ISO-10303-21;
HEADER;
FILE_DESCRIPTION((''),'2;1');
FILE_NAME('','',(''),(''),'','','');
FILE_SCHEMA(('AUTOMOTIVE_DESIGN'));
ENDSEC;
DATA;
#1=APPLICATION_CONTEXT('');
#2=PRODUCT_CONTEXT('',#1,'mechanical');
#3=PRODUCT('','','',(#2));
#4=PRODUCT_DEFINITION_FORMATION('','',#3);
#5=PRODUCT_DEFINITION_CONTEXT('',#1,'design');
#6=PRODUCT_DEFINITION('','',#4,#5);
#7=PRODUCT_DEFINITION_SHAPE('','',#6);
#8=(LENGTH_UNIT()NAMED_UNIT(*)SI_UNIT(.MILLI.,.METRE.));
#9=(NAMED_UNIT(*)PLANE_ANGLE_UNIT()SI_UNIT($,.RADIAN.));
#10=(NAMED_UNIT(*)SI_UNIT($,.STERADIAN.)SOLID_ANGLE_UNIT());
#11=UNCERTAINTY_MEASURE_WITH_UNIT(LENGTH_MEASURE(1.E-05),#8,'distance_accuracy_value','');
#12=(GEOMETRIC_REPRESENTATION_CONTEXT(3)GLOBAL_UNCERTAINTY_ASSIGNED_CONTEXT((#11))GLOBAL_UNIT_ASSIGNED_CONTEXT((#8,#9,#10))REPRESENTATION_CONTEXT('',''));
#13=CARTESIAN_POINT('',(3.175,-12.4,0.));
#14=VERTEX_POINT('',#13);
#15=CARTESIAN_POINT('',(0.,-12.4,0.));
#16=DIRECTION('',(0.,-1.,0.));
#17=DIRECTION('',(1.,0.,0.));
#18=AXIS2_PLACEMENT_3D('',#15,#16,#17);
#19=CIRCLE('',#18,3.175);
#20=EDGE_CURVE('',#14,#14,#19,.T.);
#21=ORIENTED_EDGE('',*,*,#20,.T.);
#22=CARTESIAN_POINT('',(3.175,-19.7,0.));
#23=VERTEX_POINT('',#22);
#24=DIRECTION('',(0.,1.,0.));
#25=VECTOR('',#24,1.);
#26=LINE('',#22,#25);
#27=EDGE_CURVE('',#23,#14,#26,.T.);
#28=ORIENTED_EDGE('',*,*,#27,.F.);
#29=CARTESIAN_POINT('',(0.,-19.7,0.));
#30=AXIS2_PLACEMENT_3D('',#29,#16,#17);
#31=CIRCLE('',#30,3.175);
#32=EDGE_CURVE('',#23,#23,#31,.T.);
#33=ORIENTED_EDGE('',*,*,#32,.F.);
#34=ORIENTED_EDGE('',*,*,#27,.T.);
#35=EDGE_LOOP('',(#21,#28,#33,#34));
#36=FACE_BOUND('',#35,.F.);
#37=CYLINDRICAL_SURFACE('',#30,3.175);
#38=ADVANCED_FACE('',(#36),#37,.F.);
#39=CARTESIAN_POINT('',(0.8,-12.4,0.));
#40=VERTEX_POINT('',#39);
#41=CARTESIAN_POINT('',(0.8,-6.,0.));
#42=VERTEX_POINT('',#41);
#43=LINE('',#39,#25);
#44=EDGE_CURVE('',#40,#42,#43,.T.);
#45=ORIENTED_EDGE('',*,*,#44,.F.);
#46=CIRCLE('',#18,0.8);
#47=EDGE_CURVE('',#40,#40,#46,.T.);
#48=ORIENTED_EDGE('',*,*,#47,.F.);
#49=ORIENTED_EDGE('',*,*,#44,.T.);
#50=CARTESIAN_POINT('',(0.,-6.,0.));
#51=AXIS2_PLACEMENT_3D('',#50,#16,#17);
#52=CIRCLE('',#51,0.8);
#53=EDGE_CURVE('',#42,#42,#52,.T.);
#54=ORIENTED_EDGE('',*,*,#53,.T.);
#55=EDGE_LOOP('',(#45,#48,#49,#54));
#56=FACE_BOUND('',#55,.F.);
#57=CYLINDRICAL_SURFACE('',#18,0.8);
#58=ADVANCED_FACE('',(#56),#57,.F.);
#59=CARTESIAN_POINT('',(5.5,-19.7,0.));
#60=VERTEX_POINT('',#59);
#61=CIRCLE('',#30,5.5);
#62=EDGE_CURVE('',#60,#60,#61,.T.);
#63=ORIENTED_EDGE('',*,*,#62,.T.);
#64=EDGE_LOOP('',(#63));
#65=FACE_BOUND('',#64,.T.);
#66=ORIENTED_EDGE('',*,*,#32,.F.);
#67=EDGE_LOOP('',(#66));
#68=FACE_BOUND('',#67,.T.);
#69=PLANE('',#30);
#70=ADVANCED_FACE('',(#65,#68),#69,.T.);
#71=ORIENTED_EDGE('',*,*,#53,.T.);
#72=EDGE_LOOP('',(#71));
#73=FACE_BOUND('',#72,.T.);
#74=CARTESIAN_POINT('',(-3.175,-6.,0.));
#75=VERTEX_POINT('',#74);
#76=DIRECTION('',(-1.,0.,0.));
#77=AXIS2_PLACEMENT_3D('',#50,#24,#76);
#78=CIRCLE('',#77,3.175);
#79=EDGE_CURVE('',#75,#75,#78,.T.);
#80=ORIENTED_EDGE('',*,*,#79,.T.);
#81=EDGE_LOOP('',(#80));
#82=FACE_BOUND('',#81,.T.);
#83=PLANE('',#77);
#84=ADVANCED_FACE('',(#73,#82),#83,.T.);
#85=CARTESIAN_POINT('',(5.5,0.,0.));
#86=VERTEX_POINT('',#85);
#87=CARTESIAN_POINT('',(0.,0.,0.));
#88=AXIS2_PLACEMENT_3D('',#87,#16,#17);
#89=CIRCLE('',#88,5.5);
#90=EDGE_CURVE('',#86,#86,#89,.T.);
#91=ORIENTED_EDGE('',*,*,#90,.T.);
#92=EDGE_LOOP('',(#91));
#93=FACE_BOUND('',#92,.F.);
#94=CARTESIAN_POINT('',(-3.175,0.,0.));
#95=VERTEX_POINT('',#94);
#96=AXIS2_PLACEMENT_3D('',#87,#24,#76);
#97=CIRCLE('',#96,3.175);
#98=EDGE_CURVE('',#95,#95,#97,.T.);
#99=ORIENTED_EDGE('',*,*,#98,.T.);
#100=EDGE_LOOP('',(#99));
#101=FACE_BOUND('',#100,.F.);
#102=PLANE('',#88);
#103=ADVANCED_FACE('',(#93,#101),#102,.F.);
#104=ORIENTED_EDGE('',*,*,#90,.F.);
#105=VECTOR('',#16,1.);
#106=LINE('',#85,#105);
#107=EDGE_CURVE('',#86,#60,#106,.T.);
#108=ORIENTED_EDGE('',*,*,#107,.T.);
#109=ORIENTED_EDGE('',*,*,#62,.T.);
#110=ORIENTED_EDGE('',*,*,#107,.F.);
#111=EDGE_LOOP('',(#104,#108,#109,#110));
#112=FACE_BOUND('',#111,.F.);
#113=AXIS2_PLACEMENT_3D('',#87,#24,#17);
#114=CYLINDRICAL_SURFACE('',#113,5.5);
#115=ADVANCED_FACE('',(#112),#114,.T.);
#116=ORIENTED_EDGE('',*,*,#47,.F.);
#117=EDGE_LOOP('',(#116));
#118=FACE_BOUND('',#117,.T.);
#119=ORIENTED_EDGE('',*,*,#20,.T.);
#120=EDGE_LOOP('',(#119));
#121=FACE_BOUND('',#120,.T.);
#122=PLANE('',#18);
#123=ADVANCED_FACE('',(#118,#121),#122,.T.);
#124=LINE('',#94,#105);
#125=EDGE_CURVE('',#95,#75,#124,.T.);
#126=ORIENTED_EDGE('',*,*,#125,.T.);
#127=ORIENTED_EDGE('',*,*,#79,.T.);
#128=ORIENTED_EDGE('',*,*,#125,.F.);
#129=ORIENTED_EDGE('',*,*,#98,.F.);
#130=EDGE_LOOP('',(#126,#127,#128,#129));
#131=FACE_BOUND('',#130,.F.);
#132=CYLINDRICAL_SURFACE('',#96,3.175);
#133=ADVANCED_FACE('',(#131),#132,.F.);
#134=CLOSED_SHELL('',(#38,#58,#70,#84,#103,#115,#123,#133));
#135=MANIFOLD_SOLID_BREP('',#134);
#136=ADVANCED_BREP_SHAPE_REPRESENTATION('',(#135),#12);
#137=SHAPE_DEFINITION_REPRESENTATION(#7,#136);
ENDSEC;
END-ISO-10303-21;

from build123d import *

# Parameters (mm, degrees)
F0_R     = 5.5
F1_DEPTH = 19.7
F2_R     = 3.175
F3_DEPTH = 7.3
F5_R     = 3.175
F6_DEPTH = 6
F4_R     = 0.8
F7_DEPTH = 12.401


with BuildPart() as f1:
    # F0 (on Front) → F1 (new body)
    with BuildSketch(Plane.XZ):
        Circle(F0_R)
    extrude(amount=F1_DEPTH)

    # F2 (on face) → F3 (cut)
    with BuildSketch(Plane.XZ.offset(19.7)):
        Circle(F2_R)
    extrude(amount=-F3_DEPTH, mode=Mode.SUBTRACT)

    # F5 (on face) → F6 (cut)
    with BuildSketch(Plane(origin=(0, 0, 0), x_dir=(-1, 0, 0), z_dir=(0, 1, 0))):
        Circle(F5_R)
    extrude(amount=-F6_DEPTH, mode=Mode.SUBTRACT)

    # F4 (on face) → F7 (cut, through all)
    with BuildSketch(Plane.XZ.offset(12.4)):
        Circle(F4_R)
    extrude(amount=-F7_DEPTH, mode=Mode.SUBTRACT)


solid = f1.part
